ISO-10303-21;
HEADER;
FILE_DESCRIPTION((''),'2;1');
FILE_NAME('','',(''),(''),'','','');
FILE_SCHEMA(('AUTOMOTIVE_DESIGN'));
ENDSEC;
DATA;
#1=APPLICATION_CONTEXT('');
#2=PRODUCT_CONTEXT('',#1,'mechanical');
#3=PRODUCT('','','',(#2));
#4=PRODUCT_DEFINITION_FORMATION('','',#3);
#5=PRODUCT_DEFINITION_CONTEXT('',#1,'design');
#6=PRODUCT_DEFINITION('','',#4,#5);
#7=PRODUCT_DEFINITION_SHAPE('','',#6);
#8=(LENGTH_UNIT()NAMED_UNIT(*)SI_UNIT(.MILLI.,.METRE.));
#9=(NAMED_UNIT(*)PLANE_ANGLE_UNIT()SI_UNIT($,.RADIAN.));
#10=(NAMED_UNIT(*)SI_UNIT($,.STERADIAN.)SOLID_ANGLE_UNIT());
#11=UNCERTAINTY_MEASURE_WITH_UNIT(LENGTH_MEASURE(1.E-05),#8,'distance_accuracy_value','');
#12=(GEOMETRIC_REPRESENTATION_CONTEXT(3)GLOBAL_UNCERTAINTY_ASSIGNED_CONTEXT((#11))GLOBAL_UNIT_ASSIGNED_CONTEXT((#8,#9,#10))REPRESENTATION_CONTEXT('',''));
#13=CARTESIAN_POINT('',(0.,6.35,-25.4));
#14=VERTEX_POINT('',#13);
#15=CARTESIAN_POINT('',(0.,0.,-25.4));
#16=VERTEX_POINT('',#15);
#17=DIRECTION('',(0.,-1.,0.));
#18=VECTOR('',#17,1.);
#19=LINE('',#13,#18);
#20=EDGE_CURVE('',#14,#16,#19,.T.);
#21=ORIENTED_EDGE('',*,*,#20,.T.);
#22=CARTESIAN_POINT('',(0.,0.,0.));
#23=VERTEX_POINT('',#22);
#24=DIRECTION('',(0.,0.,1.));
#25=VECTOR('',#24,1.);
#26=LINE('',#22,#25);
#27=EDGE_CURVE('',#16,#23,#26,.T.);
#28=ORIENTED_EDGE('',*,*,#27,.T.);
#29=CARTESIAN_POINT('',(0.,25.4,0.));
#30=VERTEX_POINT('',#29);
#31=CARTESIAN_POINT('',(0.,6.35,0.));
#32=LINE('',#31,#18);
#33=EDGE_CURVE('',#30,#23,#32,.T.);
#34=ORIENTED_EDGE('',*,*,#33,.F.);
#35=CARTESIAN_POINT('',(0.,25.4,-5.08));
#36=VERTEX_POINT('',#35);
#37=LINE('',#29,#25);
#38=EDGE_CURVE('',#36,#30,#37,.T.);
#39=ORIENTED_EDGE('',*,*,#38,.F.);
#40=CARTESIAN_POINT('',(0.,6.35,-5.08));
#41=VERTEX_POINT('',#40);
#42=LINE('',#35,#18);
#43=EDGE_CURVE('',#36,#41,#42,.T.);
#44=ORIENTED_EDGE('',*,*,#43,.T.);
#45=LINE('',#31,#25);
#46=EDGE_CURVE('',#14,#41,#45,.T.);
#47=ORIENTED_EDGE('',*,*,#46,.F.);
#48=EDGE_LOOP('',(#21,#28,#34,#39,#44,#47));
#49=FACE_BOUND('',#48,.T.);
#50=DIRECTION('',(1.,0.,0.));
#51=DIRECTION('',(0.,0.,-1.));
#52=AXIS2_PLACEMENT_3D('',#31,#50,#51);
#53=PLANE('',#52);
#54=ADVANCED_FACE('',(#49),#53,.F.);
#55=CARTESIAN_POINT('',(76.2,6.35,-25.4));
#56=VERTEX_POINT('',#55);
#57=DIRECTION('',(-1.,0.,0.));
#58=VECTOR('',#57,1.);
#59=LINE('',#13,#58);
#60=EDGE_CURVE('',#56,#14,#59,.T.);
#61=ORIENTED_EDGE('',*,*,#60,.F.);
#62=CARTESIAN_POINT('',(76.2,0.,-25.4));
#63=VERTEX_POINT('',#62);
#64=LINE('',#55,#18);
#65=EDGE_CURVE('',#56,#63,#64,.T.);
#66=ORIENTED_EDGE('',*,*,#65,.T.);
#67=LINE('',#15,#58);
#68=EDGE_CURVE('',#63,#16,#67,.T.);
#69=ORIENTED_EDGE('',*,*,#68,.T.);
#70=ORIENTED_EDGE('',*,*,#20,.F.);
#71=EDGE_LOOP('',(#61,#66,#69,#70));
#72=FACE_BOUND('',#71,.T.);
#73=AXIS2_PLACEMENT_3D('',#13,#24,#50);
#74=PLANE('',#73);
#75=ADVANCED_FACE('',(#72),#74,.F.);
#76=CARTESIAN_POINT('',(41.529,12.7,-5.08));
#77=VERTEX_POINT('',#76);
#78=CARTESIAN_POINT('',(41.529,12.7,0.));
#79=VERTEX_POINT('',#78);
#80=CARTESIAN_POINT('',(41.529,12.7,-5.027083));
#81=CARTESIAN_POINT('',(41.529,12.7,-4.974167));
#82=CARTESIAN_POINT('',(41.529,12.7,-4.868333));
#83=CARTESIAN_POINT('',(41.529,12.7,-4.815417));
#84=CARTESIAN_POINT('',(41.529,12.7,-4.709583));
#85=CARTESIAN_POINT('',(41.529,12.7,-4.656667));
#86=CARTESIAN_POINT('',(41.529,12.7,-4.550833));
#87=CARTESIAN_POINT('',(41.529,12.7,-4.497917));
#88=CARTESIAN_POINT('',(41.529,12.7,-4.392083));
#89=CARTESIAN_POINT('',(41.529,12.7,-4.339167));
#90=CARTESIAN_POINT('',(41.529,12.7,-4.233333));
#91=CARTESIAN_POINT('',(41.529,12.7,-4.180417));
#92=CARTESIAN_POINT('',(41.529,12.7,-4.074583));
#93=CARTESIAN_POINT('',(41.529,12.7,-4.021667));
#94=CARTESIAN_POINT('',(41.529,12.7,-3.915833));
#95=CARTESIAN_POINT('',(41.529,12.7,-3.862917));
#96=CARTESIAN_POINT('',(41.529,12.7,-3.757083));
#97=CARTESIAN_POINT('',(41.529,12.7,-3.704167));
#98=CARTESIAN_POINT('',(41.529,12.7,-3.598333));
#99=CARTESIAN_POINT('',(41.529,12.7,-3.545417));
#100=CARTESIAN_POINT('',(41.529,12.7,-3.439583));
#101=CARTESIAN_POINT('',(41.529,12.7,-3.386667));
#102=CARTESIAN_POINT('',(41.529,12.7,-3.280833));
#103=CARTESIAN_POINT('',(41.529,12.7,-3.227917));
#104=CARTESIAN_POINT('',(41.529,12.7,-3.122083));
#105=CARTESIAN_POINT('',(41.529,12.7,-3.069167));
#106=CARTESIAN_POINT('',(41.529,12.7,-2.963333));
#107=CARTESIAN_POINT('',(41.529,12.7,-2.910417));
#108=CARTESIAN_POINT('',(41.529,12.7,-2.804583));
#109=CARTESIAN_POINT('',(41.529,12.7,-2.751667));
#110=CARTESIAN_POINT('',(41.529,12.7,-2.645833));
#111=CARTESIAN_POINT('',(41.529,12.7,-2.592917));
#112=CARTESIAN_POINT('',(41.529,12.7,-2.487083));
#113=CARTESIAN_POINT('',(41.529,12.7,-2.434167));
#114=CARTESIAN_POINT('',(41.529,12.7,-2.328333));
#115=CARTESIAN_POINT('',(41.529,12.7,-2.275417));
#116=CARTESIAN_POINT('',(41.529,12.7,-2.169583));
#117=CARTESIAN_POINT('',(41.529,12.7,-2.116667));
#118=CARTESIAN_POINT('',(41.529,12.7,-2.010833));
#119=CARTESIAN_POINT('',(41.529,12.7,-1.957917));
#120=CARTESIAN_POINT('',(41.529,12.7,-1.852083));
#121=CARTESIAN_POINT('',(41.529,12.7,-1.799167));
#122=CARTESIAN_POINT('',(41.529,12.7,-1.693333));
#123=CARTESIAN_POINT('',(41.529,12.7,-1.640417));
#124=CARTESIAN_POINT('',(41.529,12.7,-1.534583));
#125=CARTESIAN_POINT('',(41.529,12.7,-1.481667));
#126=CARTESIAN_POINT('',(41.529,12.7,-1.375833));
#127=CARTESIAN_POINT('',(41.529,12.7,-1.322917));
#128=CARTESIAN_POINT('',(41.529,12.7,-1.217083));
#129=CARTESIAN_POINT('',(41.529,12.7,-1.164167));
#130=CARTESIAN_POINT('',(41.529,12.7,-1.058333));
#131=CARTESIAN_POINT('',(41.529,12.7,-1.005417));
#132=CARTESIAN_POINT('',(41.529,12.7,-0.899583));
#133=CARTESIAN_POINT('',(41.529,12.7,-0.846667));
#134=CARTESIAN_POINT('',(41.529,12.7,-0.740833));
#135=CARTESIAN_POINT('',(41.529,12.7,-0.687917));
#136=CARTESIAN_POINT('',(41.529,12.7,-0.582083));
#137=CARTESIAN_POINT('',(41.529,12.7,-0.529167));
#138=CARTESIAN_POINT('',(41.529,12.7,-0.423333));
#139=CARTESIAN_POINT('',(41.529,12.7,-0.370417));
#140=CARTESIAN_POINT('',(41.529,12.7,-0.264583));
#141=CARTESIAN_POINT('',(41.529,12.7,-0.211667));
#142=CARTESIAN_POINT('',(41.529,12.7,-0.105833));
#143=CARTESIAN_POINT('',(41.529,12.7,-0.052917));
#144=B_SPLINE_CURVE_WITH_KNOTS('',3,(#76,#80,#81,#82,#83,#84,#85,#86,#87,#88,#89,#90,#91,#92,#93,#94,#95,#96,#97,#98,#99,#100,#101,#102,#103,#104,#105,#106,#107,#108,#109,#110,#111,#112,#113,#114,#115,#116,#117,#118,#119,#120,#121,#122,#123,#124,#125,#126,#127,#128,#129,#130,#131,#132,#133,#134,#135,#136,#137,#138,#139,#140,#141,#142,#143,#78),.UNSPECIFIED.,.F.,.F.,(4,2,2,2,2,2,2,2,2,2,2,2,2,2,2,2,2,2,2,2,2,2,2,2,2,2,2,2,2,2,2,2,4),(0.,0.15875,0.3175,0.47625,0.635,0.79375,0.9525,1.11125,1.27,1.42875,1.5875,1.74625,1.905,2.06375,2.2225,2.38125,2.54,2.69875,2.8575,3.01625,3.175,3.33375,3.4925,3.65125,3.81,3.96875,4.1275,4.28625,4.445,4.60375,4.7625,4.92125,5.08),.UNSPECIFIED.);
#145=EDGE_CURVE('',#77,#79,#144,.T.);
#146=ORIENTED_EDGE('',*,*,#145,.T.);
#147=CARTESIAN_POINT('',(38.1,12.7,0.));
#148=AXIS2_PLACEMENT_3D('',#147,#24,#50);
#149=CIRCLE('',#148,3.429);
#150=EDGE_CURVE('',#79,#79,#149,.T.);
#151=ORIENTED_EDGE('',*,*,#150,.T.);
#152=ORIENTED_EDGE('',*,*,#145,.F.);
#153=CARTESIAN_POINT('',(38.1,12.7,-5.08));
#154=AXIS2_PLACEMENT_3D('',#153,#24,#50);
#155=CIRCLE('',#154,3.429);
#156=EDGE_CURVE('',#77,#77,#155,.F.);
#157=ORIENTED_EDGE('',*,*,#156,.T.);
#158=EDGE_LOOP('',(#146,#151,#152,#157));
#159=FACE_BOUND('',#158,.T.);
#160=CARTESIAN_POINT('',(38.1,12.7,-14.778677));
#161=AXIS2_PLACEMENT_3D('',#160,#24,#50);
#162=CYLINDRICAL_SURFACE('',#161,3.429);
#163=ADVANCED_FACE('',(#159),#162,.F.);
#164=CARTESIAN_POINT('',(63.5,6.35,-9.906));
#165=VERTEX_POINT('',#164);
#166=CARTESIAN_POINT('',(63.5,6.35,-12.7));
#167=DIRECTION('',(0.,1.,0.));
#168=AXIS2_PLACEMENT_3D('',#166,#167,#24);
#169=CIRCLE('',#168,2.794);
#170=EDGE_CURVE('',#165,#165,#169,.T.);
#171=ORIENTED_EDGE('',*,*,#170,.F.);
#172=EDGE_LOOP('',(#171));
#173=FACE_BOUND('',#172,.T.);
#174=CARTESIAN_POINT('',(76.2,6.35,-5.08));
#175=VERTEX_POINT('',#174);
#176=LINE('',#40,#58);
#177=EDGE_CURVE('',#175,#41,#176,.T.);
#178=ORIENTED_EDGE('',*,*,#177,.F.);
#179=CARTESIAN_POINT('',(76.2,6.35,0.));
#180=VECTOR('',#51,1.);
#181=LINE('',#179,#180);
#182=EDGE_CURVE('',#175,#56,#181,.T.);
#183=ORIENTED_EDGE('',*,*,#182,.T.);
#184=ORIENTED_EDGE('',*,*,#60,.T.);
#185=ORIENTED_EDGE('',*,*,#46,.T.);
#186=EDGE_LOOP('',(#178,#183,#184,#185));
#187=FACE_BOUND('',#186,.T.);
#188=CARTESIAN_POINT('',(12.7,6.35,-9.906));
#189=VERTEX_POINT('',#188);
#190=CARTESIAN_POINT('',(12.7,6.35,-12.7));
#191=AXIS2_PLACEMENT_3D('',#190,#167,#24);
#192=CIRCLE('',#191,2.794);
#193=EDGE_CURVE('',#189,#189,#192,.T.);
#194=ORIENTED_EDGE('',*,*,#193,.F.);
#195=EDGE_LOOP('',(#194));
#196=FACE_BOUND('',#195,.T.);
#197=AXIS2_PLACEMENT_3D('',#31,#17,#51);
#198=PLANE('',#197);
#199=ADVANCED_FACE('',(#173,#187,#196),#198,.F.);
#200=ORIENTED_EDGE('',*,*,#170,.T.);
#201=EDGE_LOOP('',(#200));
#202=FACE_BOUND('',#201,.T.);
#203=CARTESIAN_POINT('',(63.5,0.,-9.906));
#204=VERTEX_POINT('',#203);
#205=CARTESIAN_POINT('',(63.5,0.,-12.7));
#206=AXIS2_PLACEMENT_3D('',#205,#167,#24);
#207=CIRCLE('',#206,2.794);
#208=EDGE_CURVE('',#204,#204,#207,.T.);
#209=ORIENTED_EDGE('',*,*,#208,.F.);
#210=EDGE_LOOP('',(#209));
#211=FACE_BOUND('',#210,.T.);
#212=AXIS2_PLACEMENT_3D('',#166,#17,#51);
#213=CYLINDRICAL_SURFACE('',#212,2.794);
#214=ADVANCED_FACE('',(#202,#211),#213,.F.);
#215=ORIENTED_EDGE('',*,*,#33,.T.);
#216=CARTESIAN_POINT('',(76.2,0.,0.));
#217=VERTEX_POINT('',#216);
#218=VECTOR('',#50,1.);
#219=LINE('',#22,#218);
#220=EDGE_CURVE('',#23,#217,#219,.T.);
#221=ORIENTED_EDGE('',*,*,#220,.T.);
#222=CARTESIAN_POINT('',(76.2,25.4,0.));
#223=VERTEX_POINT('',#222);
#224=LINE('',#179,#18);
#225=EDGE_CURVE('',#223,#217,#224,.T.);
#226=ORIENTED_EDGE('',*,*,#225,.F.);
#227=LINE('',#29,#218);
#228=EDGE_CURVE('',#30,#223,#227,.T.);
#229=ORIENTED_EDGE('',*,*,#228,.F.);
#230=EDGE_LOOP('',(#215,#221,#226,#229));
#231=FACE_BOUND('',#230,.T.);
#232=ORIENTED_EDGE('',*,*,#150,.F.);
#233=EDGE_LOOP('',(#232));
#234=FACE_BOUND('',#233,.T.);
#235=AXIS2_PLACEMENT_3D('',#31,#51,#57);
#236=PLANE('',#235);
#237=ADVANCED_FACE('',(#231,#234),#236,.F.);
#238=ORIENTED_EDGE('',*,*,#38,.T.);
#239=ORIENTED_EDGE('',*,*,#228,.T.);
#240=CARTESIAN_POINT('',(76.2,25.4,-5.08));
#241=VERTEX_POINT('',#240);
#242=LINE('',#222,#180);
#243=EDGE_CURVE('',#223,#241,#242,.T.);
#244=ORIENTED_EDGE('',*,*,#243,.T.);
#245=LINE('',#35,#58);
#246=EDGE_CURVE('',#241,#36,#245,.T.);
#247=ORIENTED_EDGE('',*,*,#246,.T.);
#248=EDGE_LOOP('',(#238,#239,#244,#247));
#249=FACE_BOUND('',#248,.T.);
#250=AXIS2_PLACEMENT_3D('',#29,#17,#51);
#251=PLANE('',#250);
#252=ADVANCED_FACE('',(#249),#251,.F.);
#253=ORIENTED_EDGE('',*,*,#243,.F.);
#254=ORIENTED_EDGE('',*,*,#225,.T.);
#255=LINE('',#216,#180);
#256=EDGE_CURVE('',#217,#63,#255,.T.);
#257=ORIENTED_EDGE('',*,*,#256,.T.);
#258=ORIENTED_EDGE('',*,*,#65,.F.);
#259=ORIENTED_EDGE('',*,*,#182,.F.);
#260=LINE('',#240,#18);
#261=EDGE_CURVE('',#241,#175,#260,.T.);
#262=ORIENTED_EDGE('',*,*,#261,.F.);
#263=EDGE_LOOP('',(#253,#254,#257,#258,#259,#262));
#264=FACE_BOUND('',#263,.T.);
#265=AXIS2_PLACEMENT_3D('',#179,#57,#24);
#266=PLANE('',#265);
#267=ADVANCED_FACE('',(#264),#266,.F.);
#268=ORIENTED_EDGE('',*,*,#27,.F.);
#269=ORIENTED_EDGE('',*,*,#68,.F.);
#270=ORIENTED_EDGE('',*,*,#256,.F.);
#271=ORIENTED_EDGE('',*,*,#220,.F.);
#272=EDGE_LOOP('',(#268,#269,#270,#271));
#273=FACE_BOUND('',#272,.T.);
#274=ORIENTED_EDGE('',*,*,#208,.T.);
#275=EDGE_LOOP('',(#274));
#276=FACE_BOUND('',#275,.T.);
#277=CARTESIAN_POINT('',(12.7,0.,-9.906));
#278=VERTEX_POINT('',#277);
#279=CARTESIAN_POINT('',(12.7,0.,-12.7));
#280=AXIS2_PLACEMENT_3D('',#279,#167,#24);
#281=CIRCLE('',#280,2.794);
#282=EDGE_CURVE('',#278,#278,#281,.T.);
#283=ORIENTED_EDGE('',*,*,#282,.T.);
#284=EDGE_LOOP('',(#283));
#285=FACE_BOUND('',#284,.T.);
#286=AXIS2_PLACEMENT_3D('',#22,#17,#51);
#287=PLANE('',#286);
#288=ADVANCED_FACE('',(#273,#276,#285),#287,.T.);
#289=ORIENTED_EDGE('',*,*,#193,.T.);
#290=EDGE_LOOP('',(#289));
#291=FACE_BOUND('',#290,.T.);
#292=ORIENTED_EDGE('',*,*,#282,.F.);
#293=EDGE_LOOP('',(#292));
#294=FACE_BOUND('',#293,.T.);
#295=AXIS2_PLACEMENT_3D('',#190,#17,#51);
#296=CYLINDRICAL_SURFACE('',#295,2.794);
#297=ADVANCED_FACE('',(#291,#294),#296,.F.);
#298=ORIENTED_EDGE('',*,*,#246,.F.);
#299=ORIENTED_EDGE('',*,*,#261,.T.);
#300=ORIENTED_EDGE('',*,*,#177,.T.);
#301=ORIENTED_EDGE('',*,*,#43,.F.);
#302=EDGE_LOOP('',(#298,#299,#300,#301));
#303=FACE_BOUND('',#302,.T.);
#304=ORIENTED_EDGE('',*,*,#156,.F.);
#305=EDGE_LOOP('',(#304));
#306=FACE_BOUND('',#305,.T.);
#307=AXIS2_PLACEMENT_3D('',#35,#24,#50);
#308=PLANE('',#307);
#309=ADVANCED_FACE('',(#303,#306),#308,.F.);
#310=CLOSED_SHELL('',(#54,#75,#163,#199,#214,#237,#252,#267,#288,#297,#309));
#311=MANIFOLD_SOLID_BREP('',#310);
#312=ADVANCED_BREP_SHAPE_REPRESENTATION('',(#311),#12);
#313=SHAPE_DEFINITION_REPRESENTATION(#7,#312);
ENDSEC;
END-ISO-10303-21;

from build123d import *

# Parameters (mm, degrees)
SKETCH1_W           = 76.2
SKETCH1_H           = 25.4
SKETCH1_R           = 2.794
BOSS_EXTRUDE1_DEPTH = 6.35
SKETCH2_W           = 76.2
SKETCH2_H           = 5.08
BOSS_EXTRUDE2_DEPTH = 19.05
SKETCH3_R           = 3.429
CUT_EXTRUDE1_DEPTH  = 5.08


with BuildPart() as part:
    # Sketch1 → Boss-Extrude1 (new body)
    with BuildSketch(Plane(origin=(0, 0, 0), x_dir=(1, 0, 0), z_dir=(0, 1, 0))):
        with Locations((38.1, 12.7)):
            Rectangle(SKETCH1_W, SKETCH1_H)
        with Locations(Location((63.5, 12.7, 0), (0, 0, 270))):
            Circle(SKETCH1_R, mode=Mode.SUBTRACT)
        with Locations(Location((12.7, 12.7, 0), (0, 0, 270))):
            Circle(SKETCH1_R, mode=Mode.SUBTRACT)
    extrude(amount=BOSS_EXTRUDE1_DEPTH)

    # Sketch2 → Boss-Extrude2 (add)
    with BuildSketch(Plane(origin=(0, 6.35, 0), x_dir=(1, 0, 0), z_dir=(0, 1, 0))):
        with Locations((38.1, 2.54)):
            Rectangle(SKETCH2_W, SKETCH2_H)
    extrude(amount=BOSS_EXTRUDE2_DEPTH)

    # Sketch3 → Cut-Extrude1 (cut)
    with BuildSketch(Plane.XY):
        with Locations((38.1, 12.7)):
            Circle(SKETCH3_R)
    extrude(amount=-CUT_EXTRUDE1_DEPTH, mode=Mode.SUBTRACT)


solid = part.part
